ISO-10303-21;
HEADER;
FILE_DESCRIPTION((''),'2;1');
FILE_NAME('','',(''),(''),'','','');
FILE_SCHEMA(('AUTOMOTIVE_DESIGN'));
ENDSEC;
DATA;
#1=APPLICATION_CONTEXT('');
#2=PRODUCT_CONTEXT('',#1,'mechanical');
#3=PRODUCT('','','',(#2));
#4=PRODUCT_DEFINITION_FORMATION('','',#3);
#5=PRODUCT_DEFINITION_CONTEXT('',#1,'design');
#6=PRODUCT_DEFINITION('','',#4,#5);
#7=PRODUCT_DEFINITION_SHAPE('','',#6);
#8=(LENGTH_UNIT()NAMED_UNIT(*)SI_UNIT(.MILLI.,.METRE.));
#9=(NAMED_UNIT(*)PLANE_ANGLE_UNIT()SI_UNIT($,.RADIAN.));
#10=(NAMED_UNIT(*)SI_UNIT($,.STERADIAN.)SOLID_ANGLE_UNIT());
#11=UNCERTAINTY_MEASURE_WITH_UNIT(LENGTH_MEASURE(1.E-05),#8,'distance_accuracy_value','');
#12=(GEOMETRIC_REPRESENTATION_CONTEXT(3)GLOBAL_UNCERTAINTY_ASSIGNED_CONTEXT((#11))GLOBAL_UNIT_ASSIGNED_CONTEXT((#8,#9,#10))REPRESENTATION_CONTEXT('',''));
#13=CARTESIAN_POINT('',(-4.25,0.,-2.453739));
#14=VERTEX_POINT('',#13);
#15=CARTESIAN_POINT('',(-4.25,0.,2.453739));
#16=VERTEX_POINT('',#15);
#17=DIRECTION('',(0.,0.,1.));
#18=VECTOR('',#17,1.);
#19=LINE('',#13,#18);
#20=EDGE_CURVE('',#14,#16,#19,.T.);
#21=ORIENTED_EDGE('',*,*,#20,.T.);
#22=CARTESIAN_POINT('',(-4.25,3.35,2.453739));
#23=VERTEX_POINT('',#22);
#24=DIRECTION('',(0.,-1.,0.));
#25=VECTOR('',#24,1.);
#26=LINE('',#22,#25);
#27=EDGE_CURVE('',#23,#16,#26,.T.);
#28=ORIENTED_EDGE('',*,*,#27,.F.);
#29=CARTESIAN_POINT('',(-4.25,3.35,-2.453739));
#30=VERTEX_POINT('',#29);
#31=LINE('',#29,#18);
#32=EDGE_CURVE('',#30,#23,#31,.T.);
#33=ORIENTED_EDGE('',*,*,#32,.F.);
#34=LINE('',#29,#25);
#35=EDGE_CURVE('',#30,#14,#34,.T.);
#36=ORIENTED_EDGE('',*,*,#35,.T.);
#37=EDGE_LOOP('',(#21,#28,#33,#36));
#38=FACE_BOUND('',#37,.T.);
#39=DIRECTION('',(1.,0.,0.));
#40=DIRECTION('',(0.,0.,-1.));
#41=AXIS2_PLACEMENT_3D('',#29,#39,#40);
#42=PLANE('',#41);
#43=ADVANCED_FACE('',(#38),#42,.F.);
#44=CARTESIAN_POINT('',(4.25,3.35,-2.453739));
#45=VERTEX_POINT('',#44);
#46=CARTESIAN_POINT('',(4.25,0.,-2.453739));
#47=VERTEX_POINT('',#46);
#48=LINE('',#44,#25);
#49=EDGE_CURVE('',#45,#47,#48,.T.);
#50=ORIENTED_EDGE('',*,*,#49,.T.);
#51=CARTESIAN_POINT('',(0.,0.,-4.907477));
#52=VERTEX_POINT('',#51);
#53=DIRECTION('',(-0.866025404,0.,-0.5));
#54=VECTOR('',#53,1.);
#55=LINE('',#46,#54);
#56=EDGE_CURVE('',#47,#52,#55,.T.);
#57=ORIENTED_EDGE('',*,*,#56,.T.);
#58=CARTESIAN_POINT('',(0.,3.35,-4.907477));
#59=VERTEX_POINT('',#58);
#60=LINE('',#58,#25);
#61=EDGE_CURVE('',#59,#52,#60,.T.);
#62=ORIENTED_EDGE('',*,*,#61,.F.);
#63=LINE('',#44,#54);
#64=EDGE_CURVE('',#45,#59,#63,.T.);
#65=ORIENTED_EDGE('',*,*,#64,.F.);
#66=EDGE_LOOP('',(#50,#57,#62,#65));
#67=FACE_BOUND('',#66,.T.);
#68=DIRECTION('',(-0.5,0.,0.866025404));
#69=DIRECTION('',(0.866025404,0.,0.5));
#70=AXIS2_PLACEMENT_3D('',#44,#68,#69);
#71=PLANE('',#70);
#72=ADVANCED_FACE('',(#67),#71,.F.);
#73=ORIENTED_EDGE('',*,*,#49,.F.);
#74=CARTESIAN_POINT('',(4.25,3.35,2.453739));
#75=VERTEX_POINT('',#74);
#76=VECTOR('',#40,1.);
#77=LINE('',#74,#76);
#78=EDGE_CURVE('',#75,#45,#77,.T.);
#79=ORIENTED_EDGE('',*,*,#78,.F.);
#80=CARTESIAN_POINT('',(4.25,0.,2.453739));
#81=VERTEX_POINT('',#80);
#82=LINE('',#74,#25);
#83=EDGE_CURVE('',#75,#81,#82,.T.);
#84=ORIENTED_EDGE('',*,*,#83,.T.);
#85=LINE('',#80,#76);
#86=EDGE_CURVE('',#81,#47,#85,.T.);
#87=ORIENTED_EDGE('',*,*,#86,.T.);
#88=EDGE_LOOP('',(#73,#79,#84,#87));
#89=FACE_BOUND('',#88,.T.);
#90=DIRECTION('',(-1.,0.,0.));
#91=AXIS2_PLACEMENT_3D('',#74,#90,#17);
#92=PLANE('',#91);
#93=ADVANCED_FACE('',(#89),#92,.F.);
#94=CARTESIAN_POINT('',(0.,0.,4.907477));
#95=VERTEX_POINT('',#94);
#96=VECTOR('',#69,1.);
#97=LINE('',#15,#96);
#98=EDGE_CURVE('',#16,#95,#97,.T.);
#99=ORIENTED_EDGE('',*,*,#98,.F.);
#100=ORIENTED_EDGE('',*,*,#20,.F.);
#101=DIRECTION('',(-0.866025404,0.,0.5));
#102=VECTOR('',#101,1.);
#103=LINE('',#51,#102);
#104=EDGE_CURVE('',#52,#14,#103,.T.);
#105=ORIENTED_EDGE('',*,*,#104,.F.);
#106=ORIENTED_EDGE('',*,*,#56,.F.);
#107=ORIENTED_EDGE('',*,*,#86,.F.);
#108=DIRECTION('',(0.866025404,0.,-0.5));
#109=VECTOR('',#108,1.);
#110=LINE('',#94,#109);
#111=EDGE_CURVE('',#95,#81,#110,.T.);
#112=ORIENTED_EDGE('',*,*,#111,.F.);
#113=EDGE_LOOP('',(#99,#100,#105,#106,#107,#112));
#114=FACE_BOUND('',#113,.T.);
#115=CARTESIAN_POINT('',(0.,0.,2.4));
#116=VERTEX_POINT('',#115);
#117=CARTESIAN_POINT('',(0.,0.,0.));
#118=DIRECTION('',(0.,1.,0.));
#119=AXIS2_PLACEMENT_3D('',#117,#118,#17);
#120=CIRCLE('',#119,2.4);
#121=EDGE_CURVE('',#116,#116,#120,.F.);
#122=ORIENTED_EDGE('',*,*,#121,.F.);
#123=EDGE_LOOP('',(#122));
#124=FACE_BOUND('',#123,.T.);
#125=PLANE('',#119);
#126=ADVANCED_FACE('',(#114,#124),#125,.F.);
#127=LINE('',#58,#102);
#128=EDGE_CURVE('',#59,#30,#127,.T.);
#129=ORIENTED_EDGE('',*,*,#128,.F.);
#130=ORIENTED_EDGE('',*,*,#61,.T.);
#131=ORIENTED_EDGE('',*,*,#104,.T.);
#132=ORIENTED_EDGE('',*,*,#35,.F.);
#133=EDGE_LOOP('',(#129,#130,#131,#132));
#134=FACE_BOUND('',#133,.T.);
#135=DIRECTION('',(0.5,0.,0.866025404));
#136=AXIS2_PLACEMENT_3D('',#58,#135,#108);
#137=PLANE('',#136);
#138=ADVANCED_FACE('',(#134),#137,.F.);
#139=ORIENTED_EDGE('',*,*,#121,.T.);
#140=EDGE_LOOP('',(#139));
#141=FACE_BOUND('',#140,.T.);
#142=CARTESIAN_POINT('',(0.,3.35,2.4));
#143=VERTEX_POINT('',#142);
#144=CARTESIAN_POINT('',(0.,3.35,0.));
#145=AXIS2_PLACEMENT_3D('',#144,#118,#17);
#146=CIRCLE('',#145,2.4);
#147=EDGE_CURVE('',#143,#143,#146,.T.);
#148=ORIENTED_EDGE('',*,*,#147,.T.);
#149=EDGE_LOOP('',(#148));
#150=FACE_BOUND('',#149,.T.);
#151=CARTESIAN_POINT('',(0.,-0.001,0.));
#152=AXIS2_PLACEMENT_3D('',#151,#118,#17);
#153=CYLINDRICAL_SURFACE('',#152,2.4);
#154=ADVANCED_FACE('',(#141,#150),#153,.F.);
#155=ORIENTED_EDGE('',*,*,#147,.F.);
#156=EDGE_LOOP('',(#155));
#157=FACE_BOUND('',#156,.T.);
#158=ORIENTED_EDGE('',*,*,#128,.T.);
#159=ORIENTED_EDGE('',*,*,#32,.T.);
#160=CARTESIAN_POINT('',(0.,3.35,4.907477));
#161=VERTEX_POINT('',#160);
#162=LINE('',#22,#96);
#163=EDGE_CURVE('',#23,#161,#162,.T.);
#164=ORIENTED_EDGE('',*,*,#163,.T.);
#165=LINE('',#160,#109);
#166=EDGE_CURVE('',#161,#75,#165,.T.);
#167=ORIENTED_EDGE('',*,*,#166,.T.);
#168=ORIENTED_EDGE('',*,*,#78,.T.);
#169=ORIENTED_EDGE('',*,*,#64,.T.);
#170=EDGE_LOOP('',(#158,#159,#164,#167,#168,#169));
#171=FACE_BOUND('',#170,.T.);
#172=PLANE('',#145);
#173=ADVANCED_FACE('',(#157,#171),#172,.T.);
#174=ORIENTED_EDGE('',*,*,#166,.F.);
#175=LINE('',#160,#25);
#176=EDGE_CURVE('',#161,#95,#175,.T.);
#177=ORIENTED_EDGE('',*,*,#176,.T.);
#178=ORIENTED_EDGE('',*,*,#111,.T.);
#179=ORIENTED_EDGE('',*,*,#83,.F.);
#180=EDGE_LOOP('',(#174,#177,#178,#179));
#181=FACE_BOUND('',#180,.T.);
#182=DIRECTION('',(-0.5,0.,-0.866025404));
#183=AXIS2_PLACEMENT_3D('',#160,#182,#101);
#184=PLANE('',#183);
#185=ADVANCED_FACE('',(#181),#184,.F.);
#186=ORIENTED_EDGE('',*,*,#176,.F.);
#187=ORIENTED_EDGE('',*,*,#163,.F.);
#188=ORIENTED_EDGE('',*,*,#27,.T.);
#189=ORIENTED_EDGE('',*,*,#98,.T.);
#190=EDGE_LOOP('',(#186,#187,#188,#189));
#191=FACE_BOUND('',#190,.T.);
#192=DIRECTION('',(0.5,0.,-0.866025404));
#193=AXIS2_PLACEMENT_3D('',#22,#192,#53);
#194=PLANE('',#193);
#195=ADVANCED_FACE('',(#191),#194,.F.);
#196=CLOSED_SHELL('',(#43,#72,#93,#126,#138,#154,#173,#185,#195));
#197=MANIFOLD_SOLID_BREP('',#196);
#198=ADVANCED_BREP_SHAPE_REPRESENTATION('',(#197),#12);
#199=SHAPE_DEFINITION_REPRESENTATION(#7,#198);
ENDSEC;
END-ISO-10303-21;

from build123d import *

# Parameters (mm, degrees)
BOSS_EXTRUDE1_DEPTH = 3.35
CUT_EXTRUDE1_REACH  = 5.35
SKETCH2_R           = 2.4


with BuildPart() as part:
    # Sketch1 → Boss-Extrude1 (new body)
    with BuildSketch(Plane(origin=(0, 0, 0), x_dir=(1, 0, 0), z_dir=(0, 1, 0))):
        Polygon((0, 4.907477288), (-4.25, 2.453738644), (-4.25, -2.453738644), (0, -4.907477288), (4.25, -2.453738644), (4.25, 2.453738644), align=None)
    extrude(amount=BOSS_EXTRUDE1_DEPTH)

    # Sketch2 → Cut-Extrude1 (cut, up to next)
    with BuildSketch(Plane(origin=(0, 3.35, 0), x_dir=(1, 0, 0), z_dir=(0, 1, 0)), mode=Mode.PRIVATE) as cut_extrude1_sk1:
        Circle(SKETCH2_R)
    cut_extrude1_tool1 = extrude(cut_extrude1_sk1.sketch, amount=-CUT_EXTRUDE1_REACH, mode=Mode.PRIVATE) & part.part
    add(cut_extrude1_tool1.solids().sort_by_distance((0, 3.35, 0))[0], mode=Mode.SUBTRACT)


solid = part.part
